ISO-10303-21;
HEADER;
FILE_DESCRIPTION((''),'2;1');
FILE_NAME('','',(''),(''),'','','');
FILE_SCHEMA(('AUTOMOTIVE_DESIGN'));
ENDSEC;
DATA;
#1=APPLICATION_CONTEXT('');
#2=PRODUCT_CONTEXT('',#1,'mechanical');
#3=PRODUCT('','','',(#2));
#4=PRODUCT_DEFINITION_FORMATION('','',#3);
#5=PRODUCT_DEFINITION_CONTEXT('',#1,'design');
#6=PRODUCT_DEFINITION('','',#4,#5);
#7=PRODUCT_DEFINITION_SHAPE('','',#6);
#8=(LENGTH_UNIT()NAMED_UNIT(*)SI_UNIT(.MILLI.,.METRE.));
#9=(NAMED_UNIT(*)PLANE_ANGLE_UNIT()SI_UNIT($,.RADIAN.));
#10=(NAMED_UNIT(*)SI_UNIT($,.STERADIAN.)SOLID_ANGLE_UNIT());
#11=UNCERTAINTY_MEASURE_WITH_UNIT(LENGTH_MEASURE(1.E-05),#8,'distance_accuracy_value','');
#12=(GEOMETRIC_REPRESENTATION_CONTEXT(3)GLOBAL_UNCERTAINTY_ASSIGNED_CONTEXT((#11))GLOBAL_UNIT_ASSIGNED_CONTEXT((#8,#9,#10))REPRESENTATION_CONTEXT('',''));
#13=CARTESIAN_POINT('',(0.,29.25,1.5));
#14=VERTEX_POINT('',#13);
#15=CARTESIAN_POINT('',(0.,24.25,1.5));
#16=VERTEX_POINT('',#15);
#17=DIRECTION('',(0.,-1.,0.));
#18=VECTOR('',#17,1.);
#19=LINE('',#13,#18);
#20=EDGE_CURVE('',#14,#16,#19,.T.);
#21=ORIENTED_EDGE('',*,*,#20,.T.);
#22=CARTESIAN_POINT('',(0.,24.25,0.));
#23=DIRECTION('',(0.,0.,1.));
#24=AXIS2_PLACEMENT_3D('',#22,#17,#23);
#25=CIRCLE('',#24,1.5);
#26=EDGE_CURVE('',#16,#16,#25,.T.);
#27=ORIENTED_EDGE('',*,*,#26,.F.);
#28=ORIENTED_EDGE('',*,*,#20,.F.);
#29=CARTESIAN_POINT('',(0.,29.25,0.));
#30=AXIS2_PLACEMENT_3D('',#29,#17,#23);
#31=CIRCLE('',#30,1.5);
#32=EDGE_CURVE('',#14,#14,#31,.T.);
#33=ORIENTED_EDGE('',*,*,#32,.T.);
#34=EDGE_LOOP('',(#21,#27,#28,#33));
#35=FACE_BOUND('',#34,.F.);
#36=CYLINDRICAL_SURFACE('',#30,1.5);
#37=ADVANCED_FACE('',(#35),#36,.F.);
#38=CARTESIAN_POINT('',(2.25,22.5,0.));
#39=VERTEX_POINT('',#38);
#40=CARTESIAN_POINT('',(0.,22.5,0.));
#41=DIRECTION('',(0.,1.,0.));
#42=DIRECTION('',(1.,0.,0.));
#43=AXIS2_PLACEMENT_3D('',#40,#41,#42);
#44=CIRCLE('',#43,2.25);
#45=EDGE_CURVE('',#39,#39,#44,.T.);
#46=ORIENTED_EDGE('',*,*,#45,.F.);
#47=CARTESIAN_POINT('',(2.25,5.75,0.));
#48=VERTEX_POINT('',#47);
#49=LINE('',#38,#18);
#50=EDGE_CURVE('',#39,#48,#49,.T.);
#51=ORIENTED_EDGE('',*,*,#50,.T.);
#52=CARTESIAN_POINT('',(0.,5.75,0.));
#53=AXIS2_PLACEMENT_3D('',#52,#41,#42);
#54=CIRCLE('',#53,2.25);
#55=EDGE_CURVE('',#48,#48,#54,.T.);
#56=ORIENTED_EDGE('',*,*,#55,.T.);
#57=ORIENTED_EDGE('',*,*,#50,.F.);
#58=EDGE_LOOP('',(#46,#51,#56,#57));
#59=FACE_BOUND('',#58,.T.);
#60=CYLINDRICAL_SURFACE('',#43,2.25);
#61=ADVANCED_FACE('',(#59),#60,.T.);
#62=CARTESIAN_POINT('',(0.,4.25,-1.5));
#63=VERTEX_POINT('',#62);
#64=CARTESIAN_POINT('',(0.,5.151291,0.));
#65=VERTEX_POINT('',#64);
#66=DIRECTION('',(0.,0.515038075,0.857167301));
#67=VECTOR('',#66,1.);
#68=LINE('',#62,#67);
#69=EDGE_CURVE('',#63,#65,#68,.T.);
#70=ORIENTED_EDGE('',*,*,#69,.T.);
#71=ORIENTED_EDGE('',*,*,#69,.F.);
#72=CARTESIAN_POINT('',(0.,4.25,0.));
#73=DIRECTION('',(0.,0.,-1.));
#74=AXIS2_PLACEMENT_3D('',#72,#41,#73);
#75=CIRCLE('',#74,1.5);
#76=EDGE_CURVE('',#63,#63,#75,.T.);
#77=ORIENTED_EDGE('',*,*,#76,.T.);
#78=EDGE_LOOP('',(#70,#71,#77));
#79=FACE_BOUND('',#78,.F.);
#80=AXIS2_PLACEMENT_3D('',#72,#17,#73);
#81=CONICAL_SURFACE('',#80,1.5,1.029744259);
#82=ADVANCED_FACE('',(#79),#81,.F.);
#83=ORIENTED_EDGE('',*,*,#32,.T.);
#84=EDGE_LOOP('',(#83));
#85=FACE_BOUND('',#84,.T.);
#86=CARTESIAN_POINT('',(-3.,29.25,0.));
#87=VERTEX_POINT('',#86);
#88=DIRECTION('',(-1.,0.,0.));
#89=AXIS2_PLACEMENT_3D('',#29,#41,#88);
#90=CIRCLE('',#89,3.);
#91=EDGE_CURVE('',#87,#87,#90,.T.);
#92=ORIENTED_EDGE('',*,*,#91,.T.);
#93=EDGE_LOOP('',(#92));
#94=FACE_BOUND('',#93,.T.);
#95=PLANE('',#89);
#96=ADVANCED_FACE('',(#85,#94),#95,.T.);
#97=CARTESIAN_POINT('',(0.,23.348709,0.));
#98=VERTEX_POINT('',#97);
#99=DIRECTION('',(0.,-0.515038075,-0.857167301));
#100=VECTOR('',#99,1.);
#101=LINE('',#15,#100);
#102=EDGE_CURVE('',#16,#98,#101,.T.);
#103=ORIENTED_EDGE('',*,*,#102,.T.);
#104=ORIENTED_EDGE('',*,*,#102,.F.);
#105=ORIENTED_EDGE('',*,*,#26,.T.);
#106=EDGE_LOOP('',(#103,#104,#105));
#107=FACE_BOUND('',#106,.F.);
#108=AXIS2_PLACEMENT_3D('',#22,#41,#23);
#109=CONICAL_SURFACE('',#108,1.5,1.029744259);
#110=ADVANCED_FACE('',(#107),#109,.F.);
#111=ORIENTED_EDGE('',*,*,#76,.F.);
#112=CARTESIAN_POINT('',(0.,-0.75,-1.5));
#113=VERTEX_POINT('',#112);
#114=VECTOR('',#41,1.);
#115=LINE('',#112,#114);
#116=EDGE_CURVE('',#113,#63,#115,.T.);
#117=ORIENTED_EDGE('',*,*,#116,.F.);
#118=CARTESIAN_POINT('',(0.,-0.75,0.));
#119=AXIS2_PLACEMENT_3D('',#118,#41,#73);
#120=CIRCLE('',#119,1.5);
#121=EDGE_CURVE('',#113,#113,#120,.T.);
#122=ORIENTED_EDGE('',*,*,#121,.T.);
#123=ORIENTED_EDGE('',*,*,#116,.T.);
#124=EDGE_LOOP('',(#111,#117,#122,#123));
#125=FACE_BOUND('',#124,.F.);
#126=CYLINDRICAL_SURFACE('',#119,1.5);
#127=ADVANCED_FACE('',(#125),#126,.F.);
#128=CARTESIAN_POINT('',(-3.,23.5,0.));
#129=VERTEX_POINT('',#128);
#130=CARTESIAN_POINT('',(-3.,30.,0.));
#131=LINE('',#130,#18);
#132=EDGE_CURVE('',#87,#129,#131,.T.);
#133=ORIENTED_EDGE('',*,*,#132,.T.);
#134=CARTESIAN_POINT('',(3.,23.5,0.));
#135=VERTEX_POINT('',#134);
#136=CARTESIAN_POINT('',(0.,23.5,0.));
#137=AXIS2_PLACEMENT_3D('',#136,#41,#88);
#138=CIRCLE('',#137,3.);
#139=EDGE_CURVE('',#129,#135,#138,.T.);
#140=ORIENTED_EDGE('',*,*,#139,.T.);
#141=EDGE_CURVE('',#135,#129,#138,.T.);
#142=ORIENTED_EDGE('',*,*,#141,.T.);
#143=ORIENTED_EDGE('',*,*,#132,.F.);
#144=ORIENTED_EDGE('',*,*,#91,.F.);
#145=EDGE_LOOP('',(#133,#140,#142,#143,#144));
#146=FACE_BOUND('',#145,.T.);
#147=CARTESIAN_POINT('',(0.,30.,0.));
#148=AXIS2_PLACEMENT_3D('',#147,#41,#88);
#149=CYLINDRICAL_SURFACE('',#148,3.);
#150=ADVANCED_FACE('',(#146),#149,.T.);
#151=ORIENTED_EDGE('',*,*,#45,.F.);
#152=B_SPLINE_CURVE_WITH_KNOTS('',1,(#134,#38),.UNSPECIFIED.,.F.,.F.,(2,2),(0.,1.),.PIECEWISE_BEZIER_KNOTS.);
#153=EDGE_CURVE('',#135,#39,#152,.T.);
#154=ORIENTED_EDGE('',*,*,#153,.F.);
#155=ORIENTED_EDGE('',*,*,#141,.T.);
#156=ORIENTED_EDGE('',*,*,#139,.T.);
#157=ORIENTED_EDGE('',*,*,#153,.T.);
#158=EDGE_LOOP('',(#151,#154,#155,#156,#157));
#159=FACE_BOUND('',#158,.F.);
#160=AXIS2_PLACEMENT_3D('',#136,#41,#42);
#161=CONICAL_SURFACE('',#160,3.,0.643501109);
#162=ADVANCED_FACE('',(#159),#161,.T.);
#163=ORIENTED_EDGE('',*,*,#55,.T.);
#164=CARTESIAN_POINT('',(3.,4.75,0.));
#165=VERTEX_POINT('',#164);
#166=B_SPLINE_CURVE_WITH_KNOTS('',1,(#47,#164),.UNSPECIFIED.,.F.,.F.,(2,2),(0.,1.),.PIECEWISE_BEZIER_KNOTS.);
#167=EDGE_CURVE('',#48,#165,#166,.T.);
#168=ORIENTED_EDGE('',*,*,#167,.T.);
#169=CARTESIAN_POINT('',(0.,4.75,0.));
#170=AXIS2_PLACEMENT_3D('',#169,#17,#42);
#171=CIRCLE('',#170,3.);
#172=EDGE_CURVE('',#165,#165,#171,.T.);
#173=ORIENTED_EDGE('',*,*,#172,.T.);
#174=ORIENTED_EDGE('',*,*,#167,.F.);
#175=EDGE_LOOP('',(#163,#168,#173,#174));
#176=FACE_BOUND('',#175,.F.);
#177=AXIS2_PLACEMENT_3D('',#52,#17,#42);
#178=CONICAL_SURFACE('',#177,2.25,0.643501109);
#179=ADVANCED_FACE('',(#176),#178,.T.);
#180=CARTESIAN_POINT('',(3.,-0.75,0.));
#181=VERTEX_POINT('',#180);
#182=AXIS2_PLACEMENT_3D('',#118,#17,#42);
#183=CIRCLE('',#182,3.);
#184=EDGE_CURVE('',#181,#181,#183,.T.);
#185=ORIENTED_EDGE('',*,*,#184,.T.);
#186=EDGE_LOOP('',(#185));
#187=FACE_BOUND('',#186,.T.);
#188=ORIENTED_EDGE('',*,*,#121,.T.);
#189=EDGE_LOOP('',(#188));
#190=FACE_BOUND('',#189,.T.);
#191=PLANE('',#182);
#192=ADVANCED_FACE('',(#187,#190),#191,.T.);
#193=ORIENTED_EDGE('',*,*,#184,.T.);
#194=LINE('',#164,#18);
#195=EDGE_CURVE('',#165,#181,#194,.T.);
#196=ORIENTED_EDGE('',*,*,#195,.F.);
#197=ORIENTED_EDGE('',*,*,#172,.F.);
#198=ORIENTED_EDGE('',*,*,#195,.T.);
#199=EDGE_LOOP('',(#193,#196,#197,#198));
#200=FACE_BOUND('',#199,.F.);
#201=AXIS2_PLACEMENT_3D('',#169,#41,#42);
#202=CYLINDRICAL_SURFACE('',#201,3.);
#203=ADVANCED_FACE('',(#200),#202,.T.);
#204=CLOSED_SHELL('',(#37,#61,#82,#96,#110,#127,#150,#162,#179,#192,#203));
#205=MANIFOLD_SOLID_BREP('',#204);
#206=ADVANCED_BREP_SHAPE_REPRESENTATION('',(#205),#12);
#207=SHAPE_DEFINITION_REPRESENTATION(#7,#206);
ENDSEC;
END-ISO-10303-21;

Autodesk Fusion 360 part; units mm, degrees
sketch "Sketch2" plane through (0, 30, 0) normal (0, 1, 0) x (-1, 0, 0)
  circle A0 centre (0, 0) radius 3
  circle A1 centre (0, 0) radius 3
ref_plane "WorkPlane1" through (0, 23.5, 0) normal (0, 1, 0) x (-1, 0, 0)
ref_plane "WorkPlane2" through (0, 22.5, 0) normal (0, 1, 0) x (-1, 0, 0)
sketch "Sketch3" plane through (0, 22.5, 0) normal (0, 1, 0) x (1, 0, 0)
  circle A0 centre (0, 0) radius 2.25
  dimension "d12" = 4.5
sketch "Sketch4" plane through (0, 23.5, 0) normal (0, 1, 0) x (1, 0, 0)
  circle A0 centre (0, 0) radius 3
  dimension "d13" = 6
extrude "Extrude2" add sketch "Sketch2" against normal blind 6.5
loft "Loft1" add profiles "Sketch4", "Sketch3" section 1 section 2
extrude "Extrude3" add 1 faces at (-0.1619, 22.5, 0.6982) along direction (0, -1, 0) blind 16.75
ref_plane "WorkPlane3" through (0, 4.75, 0) normal (0, -1, 0) x (0, 0, -1)
sketch "Sketch5" plane through (0, 4.75, 0) normal (0, -1, 0) x (1, 0, 0)
  circle A0 centre (0, 0) radius 3
  dimension "d19" = 6
loft "Loft2" add profiles "Sketch5" section 1 face at (-0.1619, 5.75, 0.6982) section 2
extrude "Extrude4" add 1 faces at (-1.1591, 4.75, 0.5829) along direction (0, -1, 0) blind 5.5
extrude "Extrude5" cut 1 faces at (1.1591, 30, 0.5829) along direction (0, -1, 0) blind 0.75
hole "Hole3" at (0, 29.25, 0) direction (0, -1, 0) diameter 3 depth 5 tip angle 118
hole "Hole4" at (0, -0.75, 0) direction (0, 1, 0) diameter 3 depth 5 tip angle 118
thread "Thread3"
thread "Thread4"
